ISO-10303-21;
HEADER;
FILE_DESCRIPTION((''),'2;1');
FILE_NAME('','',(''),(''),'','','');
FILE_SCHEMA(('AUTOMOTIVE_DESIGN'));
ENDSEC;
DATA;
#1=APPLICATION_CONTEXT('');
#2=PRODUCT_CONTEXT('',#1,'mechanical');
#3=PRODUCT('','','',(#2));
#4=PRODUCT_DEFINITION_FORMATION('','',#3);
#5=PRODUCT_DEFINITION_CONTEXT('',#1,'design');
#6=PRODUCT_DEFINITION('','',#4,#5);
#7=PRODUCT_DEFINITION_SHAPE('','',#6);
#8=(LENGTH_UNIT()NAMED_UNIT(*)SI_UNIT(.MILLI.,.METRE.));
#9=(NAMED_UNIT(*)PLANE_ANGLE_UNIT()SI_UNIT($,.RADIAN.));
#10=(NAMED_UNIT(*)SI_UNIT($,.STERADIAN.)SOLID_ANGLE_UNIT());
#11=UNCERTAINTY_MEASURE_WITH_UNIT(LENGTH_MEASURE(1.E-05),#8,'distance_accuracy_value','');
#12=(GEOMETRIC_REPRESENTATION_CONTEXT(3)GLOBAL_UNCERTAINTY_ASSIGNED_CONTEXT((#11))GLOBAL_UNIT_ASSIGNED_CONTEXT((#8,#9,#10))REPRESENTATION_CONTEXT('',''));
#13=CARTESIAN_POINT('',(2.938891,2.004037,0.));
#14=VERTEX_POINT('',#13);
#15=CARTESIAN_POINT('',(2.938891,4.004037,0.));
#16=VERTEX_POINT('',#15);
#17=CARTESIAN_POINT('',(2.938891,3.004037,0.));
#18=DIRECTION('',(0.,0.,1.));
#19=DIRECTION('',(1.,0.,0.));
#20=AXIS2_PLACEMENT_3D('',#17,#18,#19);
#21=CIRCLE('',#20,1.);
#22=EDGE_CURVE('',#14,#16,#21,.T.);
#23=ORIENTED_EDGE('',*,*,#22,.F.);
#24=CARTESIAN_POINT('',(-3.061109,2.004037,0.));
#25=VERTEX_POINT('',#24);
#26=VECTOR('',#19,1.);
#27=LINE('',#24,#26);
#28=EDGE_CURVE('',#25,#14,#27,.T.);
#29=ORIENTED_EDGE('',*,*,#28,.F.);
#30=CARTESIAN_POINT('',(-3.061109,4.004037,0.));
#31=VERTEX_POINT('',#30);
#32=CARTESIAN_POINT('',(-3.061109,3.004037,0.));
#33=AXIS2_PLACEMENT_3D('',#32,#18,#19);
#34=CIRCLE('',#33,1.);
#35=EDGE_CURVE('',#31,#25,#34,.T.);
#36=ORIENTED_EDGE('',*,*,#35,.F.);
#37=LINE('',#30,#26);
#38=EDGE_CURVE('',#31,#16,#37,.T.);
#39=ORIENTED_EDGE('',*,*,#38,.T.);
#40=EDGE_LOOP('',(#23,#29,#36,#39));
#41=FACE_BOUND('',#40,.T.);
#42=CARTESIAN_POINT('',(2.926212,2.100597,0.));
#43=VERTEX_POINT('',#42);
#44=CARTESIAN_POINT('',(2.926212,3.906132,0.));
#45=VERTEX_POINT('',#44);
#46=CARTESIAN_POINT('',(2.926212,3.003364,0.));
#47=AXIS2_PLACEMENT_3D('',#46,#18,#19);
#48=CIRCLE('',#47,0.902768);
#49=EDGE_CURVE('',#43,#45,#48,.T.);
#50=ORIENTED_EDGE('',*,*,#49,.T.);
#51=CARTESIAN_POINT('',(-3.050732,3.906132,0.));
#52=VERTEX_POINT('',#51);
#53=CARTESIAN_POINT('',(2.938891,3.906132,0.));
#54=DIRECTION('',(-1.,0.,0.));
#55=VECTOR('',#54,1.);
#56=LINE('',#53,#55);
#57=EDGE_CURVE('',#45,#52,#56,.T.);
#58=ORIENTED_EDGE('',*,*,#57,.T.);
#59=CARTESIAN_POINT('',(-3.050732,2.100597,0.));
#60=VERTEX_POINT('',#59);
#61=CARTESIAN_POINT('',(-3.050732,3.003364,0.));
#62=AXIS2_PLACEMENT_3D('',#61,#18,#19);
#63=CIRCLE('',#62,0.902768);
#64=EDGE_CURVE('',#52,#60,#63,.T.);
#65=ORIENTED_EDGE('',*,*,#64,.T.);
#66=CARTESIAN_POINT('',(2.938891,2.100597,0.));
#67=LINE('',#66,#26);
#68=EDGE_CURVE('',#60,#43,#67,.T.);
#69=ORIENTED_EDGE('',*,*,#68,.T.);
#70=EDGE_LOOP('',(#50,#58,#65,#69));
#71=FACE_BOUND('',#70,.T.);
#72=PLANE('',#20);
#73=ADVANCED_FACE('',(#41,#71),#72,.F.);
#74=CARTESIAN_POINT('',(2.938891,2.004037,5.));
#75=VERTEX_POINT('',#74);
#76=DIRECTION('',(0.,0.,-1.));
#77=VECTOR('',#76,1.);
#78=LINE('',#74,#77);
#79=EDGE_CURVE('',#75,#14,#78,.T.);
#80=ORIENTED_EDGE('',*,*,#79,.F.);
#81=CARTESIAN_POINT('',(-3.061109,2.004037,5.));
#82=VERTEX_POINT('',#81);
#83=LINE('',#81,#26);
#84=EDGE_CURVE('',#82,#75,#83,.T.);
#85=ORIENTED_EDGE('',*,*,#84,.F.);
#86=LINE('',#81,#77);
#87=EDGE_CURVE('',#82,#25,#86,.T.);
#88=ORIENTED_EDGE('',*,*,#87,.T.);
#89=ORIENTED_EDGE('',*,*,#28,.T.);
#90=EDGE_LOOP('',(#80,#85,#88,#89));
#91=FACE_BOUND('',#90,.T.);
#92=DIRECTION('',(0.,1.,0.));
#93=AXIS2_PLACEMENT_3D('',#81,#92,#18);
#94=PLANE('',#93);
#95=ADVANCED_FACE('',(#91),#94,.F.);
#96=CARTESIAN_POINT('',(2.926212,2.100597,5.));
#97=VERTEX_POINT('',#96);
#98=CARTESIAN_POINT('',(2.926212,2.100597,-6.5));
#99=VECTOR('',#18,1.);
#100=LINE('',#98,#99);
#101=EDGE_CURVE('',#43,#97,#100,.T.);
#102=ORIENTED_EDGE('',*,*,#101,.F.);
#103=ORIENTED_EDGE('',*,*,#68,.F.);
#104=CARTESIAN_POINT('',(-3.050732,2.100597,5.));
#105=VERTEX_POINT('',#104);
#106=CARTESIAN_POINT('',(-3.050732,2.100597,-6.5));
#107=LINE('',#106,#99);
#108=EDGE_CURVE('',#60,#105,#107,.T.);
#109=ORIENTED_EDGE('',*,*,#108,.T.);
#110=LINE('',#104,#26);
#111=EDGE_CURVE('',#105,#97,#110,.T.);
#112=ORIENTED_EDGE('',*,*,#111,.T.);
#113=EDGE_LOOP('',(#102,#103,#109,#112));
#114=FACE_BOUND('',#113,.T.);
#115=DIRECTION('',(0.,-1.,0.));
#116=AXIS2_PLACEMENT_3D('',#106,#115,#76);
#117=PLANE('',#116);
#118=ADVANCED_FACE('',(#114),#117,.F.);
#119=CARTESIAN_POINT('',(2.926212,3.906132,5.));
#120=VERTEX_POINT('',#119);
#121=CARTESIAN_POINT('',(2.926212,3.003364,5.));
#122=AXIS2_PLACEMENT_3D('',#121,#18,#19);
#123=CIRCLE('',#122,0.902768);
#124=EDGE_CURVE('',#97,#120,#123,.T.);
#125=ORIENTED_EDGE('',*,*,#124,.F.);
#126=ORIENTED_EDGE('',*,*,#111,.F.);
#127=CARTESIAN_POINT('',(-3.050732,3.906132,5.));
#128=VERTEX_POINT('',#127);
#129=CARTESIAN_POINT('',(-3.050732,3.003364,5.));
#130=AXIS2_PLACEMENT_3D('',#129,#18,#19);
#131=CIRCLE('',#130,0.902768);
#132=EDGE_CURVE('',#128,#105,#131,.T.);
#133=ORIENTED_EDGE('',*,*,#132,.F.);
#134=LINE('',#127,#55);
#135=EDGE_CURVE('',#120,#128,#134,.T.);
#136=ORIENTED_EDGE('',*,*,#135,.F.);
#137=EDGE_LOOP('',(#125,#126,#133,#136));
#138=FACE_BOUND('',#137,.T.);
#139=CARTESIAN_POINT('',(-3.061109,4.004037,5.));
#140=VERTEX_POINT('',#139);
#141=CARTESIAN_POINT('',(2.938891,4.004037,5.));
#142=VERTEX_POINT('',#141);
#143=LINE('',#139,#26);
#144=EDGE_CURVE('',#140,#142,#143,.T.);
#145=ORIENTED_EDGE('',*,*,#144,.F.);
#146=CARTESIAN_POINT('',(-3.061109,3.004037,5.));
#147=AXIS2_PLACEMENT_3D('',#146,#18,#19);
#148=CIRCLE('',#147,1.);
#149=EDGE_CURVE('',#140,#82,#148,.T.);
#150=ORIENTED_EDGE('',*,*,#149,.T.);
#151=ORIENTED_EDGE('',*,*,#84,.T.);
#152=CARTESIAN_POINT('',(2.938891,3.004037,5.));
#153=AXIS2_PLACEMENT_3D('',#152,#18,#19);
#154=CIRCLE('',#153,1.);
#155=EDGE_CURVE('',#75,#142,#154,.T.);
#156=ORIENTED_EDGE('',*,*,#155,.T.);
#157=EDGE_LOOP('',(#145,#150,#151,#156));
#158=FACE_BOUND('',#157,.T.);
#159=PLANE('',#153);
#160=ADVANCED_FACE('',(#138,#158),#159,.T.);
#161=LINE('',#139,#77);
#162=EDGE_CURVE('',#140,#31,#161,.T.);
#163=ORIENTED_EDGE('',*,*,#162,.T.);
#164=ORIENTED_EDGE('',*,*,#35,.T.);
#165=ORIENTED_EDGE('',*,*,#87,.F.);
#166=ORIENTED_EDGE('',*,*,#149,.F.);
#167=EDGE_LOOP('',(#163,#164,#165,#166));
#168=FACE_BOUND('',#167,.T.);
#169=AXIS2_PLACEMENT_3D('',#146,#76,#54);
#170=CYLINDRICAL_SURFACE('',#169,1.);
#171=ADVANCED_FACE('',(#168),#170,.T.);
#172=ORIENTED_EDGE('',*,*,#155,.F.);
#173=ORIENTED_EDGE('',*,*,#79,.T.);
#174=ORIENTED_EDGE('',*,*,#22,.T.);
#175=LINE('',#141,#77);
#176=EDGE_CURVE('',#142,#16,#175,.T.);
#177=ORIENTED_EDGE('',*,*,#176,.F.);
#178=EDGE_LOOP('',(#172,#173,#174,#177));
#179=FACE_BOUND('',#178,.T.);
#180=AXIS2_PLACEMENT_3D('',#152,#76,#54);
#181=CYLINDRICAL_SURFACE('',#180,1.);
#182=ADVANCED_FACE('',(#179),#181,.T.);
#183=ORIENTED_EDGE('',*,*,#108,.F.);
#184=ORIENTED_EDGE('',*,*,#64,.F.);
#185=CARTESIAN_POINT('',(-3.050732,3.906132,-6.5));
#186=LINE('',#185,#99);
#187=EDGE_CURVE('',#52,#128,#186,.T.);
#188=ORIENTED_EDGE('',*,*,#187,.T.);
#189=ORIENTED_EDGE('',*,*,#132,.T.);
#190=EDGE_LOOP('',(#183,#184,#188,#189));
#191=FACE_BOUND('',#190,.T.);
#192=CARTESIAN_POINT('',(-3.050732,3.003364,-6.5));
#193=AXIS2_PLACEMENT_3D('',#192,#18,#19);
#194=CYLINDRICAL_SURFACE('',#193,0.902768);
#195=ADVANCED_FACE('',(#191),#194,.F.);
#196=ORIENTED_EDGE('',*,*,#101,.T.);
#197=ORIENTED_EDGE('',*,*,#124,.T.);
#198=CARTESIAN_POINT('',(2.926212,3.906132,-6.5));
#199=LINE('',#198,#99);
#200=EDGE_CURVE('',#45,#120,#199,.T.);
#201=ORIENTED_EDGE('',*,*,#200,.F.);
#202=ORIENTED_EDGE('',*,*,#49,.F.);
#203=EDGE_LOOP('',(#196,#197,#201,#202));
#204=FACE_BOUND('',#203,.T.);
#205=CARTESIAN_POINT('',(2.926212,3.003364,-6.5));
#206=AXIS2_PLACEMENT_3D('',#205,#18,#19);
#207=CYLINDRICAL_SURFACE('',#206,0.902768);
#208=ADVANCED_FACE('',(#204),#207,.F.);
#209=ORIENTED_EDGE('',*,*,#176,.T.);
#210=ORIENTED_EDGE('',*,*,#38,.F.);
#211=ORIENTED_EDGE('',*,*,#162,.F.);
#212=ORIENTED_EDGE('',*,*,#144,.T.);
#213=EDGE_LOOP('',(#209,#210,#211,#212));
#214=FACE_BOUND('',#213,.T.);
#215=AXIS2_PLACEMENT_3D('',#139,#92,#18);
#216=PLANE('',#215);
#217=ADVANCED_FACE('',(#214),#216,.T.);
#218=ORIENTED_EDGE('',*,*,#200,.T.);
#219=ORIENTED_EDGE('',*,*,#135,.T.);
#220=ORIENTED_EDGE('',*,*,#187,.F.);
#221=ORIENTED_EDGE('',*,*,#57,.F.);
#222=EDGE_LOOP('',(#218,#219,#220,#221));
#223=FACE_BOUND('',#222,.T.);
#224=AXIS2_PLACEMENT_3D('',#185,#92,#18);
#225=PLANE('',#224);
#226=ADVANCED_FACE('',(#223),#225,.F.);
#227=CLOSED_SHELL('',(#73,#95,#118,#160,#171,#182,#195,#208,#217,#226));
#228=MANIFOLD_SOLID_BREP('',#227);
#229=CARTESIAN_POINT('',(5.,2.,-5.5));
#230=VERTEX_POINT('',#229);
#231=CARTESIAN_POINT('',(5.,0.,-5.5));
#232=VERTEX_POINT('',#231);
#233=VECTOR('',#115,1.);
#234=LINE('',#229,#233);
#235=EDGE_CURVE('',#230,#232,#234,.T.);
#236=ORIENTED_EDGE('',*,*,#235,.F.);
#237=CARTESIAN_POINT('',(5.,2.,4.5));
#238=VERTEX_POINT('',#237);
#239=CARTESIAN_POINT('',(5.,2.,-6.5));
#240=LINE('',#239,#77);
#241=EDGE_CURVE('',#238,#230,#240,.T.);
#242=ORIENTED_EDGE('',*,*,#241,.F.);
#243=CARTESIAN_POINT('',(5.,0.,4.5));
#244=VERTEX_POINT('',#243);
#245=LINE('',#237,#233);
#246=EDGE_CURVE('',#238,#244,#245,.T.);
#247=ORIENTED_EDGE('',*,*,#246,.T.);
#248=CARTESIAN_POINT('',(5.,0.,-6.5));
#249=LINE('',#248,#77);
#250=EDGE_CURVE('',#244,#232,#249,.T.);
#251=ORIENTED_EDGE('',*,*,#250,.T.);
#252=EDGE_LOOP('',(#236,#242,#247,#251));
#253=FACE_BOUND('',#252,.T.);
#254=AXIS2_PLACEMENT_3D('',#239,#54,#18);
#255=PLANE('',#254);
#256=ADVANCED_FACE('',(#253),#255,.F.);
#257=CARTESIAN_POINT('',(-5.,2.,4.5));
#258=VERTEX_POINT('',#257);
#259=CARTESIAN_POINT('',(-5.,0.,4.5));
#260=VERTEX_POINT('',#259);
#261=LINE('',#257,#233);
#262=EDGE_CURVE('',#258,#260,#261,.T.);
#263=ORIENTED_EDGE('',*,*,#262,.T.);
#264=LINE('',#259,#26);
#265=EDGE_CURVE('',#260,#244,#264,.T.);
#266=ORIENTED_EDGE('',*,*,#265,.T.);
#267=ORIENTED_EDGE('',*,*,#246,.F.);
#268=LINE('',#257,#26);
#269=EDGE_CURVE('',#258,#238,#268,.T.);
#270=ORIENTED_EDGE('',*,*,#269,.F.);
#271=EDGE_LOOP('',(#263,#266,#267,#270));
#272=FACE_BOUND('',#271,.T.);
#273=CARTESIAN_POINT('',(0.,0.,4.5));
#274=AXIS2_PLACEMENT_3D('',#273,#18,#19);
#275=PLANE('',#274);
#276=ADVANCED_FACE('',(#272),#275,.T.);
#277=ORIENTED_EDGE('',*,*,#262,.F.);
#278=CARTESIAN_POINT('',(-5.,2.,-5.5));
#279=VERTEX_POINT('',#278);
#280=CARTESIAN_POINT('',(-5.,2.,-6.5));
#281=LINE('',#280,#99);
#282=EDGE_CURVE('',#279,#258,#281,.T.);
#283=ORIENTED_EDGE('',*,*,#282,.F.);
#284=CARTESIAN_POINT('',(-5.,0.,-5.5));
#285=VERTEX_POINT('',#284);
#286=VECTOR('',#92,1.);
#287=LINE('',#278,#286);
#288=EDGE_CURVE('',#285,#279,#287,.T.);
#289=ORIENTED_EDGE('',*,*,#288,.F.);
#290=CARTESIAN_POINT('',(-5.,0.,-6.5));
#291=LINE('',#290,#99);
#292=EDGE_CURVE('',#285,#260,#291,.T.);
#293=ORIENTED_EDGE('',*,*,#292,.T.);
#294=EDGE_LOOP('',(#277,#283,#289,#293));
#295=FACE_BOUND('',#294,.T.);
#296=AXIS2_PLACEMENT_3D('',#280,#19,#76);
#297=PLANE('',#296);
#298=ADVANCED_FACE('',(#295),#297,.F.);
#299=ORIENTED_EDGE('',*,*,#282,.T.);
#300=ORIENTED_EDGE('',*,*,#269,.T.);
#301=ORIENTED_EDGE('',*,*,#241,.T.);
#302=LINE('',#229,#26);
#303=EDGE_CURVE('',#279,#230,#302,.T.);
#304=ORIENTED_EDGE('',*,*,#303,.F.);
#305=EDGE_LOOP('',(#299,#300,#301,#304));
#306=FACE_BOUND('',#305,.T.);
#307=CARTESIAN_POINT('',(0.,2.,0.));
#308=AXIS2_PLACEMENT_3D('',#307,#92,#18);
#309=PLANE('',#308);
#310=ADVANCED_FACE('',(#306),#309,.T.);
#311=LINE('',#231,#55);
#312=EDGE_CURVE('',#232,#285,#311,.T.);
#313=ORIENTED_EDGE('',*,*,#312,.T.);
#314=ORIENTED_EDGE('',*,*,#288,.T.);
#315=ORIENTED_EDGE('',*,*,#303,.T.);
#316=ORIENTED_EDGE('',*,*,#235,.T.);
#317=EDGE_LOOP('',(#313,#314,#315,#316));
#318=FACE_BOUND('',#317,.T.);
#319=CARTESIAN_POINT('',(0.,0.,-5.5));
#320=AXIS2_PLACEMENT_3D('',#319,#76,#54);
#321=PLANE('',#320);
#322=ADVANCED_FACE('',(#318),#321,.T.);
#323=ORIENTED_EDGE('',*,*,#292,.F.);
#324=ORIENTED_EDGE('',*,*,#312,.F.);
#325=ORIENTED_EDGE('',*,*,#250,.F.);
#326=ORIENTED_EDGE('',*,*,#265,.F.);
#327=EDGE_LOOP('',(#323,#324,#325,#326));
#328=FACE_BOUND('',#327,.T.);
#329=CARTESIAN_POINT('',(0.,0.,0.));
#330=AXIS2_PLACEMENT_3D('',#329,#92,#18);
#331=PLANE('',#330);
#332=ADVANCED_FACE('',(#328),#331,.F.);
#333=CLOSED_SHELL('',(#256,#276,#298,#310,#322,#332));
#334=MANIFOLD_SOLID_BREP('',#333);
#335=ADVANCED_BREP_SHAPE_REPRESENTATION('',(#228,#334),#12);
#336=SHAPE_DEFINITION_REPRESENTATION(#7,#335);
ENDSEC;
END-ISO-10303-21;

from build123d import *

# Parameters (mm, degrees)
SKETCH_1_W          = 10
SKETCH_1_H          = 13
EXTRUDE_1_DEPTH     = 2
EXTRUDE_3_DEPTH     = 5
CUT_EXTRUDE_1_DEPTH = 14.163674016
SKETCH_10_W         = 10
SKETCH_10_H         = 2
CUT_EXTRUDE_2_DEPTH = 2
SKETCH_11_W         = 10
SKETCH_11_H         = 2
CUT_EXTRUDE_3_DEPTH = 2
SKETCH_12_W         = 10
SKETCH_12_H         = 2
EXTRUDE_4_DEPTH     = 1


with BuildPart() as part:
    # 草图1 → 凸台-拉伸1 (new body)
    with BuildSketch(Plane(origin=(0, 0, 0), x_dir=(1, 0, 0), z_dir=(0, 1, 0))):
        Rectangle(SKETCH_1_W, SKETCH_1_H)
    extrude(amount=EXTRUDE_1_DEPTH)

    # 草图10 → 切除-拉伸2 (cut)
    with BuildSketch(Plane.XY.offset(6.5)):
        with Locations((0, 1)):
            Rectangle(SKETCH_10_W, SKETCH_10_H)
    extrude(amount=-CUT_EXTRUDE_2_DEPTH, mode=Mode.SUBTRACT)

    # 草图11 → 切除-拉伸3 (cut)
    with BuildSketch(Plane(origin=(0, 0, -6.5), x_dir=(-1, 0, 0), z_dir=(0, 0, -1))):
        with Locations((0, 1)):
            Rectangle(SKETCH_11_W, SKETCH_11_H)
    extrude(amount=-CUT_EXTRUDE_3_DEPTH, mode=Mode.SUBTRACT)

    # 草图12 → 凸台-拉伸4 (add)
    with BuildSketch(Plane(origin=(0, 0, -4.5), x_dir=(-1, 0, 0), z_dir=(0, 0, -1))):
        with Locations((0, 1)):
            Rectangle(SKETCH_12_W, SKETCH_12_H)
    extrude(amount=EXTRUDE_4_DEPTH)


with BuildPart() as body_2:
    # 草图2 → 凸台-拉伸3 (new body)
    with BuildSketch(Plane.XY):
        with BuildLine():
            Line((-3.061108679, 4.004037161), (2.938891321, 4.004037161))
            ThreePointArc((2.938891321, 4.004037161), (3.938891321, 3.004037161), (2.938891321, 2.004037161))
            Line((2.938891321, 2.004037161), (-3.061108679, 2.004037161))
            ThreePointArc((-3.061108679, 2.004037161), (-4.061108679, 3.004037161), (-3.061108679, 4.004037161))
        make_face()
    extrude(amount=EXTRUDE_3_DEPTH)

    # 草图5 → 切除-拉伸1 (cut, through all)
    with BuildSketch(Plane.XY.offset(5)):
        with BuildLine():
            Line((-3.050732039, 3.906131945), (2.926212364, 3.906131945))
            ThreePointArc((2.926212364, 3.906131945), (3.828980009, 3.003364301), (2.926212364, 2.100596657))
            Line((2.926212364, 2.100596657), (-3.050732039, 2.100596657))
            ThreePointArc((-3.050732039, 2.100596657), (-3.953499684, 3.003364301), (-3.050732039, 3.906131945))
        make_face()
    extrude(amount=-CUT_EXTRUDE_1_DEPTH, mode=Mode.SUBTRACT)


solid = Compound([part.part, body_2.part])
